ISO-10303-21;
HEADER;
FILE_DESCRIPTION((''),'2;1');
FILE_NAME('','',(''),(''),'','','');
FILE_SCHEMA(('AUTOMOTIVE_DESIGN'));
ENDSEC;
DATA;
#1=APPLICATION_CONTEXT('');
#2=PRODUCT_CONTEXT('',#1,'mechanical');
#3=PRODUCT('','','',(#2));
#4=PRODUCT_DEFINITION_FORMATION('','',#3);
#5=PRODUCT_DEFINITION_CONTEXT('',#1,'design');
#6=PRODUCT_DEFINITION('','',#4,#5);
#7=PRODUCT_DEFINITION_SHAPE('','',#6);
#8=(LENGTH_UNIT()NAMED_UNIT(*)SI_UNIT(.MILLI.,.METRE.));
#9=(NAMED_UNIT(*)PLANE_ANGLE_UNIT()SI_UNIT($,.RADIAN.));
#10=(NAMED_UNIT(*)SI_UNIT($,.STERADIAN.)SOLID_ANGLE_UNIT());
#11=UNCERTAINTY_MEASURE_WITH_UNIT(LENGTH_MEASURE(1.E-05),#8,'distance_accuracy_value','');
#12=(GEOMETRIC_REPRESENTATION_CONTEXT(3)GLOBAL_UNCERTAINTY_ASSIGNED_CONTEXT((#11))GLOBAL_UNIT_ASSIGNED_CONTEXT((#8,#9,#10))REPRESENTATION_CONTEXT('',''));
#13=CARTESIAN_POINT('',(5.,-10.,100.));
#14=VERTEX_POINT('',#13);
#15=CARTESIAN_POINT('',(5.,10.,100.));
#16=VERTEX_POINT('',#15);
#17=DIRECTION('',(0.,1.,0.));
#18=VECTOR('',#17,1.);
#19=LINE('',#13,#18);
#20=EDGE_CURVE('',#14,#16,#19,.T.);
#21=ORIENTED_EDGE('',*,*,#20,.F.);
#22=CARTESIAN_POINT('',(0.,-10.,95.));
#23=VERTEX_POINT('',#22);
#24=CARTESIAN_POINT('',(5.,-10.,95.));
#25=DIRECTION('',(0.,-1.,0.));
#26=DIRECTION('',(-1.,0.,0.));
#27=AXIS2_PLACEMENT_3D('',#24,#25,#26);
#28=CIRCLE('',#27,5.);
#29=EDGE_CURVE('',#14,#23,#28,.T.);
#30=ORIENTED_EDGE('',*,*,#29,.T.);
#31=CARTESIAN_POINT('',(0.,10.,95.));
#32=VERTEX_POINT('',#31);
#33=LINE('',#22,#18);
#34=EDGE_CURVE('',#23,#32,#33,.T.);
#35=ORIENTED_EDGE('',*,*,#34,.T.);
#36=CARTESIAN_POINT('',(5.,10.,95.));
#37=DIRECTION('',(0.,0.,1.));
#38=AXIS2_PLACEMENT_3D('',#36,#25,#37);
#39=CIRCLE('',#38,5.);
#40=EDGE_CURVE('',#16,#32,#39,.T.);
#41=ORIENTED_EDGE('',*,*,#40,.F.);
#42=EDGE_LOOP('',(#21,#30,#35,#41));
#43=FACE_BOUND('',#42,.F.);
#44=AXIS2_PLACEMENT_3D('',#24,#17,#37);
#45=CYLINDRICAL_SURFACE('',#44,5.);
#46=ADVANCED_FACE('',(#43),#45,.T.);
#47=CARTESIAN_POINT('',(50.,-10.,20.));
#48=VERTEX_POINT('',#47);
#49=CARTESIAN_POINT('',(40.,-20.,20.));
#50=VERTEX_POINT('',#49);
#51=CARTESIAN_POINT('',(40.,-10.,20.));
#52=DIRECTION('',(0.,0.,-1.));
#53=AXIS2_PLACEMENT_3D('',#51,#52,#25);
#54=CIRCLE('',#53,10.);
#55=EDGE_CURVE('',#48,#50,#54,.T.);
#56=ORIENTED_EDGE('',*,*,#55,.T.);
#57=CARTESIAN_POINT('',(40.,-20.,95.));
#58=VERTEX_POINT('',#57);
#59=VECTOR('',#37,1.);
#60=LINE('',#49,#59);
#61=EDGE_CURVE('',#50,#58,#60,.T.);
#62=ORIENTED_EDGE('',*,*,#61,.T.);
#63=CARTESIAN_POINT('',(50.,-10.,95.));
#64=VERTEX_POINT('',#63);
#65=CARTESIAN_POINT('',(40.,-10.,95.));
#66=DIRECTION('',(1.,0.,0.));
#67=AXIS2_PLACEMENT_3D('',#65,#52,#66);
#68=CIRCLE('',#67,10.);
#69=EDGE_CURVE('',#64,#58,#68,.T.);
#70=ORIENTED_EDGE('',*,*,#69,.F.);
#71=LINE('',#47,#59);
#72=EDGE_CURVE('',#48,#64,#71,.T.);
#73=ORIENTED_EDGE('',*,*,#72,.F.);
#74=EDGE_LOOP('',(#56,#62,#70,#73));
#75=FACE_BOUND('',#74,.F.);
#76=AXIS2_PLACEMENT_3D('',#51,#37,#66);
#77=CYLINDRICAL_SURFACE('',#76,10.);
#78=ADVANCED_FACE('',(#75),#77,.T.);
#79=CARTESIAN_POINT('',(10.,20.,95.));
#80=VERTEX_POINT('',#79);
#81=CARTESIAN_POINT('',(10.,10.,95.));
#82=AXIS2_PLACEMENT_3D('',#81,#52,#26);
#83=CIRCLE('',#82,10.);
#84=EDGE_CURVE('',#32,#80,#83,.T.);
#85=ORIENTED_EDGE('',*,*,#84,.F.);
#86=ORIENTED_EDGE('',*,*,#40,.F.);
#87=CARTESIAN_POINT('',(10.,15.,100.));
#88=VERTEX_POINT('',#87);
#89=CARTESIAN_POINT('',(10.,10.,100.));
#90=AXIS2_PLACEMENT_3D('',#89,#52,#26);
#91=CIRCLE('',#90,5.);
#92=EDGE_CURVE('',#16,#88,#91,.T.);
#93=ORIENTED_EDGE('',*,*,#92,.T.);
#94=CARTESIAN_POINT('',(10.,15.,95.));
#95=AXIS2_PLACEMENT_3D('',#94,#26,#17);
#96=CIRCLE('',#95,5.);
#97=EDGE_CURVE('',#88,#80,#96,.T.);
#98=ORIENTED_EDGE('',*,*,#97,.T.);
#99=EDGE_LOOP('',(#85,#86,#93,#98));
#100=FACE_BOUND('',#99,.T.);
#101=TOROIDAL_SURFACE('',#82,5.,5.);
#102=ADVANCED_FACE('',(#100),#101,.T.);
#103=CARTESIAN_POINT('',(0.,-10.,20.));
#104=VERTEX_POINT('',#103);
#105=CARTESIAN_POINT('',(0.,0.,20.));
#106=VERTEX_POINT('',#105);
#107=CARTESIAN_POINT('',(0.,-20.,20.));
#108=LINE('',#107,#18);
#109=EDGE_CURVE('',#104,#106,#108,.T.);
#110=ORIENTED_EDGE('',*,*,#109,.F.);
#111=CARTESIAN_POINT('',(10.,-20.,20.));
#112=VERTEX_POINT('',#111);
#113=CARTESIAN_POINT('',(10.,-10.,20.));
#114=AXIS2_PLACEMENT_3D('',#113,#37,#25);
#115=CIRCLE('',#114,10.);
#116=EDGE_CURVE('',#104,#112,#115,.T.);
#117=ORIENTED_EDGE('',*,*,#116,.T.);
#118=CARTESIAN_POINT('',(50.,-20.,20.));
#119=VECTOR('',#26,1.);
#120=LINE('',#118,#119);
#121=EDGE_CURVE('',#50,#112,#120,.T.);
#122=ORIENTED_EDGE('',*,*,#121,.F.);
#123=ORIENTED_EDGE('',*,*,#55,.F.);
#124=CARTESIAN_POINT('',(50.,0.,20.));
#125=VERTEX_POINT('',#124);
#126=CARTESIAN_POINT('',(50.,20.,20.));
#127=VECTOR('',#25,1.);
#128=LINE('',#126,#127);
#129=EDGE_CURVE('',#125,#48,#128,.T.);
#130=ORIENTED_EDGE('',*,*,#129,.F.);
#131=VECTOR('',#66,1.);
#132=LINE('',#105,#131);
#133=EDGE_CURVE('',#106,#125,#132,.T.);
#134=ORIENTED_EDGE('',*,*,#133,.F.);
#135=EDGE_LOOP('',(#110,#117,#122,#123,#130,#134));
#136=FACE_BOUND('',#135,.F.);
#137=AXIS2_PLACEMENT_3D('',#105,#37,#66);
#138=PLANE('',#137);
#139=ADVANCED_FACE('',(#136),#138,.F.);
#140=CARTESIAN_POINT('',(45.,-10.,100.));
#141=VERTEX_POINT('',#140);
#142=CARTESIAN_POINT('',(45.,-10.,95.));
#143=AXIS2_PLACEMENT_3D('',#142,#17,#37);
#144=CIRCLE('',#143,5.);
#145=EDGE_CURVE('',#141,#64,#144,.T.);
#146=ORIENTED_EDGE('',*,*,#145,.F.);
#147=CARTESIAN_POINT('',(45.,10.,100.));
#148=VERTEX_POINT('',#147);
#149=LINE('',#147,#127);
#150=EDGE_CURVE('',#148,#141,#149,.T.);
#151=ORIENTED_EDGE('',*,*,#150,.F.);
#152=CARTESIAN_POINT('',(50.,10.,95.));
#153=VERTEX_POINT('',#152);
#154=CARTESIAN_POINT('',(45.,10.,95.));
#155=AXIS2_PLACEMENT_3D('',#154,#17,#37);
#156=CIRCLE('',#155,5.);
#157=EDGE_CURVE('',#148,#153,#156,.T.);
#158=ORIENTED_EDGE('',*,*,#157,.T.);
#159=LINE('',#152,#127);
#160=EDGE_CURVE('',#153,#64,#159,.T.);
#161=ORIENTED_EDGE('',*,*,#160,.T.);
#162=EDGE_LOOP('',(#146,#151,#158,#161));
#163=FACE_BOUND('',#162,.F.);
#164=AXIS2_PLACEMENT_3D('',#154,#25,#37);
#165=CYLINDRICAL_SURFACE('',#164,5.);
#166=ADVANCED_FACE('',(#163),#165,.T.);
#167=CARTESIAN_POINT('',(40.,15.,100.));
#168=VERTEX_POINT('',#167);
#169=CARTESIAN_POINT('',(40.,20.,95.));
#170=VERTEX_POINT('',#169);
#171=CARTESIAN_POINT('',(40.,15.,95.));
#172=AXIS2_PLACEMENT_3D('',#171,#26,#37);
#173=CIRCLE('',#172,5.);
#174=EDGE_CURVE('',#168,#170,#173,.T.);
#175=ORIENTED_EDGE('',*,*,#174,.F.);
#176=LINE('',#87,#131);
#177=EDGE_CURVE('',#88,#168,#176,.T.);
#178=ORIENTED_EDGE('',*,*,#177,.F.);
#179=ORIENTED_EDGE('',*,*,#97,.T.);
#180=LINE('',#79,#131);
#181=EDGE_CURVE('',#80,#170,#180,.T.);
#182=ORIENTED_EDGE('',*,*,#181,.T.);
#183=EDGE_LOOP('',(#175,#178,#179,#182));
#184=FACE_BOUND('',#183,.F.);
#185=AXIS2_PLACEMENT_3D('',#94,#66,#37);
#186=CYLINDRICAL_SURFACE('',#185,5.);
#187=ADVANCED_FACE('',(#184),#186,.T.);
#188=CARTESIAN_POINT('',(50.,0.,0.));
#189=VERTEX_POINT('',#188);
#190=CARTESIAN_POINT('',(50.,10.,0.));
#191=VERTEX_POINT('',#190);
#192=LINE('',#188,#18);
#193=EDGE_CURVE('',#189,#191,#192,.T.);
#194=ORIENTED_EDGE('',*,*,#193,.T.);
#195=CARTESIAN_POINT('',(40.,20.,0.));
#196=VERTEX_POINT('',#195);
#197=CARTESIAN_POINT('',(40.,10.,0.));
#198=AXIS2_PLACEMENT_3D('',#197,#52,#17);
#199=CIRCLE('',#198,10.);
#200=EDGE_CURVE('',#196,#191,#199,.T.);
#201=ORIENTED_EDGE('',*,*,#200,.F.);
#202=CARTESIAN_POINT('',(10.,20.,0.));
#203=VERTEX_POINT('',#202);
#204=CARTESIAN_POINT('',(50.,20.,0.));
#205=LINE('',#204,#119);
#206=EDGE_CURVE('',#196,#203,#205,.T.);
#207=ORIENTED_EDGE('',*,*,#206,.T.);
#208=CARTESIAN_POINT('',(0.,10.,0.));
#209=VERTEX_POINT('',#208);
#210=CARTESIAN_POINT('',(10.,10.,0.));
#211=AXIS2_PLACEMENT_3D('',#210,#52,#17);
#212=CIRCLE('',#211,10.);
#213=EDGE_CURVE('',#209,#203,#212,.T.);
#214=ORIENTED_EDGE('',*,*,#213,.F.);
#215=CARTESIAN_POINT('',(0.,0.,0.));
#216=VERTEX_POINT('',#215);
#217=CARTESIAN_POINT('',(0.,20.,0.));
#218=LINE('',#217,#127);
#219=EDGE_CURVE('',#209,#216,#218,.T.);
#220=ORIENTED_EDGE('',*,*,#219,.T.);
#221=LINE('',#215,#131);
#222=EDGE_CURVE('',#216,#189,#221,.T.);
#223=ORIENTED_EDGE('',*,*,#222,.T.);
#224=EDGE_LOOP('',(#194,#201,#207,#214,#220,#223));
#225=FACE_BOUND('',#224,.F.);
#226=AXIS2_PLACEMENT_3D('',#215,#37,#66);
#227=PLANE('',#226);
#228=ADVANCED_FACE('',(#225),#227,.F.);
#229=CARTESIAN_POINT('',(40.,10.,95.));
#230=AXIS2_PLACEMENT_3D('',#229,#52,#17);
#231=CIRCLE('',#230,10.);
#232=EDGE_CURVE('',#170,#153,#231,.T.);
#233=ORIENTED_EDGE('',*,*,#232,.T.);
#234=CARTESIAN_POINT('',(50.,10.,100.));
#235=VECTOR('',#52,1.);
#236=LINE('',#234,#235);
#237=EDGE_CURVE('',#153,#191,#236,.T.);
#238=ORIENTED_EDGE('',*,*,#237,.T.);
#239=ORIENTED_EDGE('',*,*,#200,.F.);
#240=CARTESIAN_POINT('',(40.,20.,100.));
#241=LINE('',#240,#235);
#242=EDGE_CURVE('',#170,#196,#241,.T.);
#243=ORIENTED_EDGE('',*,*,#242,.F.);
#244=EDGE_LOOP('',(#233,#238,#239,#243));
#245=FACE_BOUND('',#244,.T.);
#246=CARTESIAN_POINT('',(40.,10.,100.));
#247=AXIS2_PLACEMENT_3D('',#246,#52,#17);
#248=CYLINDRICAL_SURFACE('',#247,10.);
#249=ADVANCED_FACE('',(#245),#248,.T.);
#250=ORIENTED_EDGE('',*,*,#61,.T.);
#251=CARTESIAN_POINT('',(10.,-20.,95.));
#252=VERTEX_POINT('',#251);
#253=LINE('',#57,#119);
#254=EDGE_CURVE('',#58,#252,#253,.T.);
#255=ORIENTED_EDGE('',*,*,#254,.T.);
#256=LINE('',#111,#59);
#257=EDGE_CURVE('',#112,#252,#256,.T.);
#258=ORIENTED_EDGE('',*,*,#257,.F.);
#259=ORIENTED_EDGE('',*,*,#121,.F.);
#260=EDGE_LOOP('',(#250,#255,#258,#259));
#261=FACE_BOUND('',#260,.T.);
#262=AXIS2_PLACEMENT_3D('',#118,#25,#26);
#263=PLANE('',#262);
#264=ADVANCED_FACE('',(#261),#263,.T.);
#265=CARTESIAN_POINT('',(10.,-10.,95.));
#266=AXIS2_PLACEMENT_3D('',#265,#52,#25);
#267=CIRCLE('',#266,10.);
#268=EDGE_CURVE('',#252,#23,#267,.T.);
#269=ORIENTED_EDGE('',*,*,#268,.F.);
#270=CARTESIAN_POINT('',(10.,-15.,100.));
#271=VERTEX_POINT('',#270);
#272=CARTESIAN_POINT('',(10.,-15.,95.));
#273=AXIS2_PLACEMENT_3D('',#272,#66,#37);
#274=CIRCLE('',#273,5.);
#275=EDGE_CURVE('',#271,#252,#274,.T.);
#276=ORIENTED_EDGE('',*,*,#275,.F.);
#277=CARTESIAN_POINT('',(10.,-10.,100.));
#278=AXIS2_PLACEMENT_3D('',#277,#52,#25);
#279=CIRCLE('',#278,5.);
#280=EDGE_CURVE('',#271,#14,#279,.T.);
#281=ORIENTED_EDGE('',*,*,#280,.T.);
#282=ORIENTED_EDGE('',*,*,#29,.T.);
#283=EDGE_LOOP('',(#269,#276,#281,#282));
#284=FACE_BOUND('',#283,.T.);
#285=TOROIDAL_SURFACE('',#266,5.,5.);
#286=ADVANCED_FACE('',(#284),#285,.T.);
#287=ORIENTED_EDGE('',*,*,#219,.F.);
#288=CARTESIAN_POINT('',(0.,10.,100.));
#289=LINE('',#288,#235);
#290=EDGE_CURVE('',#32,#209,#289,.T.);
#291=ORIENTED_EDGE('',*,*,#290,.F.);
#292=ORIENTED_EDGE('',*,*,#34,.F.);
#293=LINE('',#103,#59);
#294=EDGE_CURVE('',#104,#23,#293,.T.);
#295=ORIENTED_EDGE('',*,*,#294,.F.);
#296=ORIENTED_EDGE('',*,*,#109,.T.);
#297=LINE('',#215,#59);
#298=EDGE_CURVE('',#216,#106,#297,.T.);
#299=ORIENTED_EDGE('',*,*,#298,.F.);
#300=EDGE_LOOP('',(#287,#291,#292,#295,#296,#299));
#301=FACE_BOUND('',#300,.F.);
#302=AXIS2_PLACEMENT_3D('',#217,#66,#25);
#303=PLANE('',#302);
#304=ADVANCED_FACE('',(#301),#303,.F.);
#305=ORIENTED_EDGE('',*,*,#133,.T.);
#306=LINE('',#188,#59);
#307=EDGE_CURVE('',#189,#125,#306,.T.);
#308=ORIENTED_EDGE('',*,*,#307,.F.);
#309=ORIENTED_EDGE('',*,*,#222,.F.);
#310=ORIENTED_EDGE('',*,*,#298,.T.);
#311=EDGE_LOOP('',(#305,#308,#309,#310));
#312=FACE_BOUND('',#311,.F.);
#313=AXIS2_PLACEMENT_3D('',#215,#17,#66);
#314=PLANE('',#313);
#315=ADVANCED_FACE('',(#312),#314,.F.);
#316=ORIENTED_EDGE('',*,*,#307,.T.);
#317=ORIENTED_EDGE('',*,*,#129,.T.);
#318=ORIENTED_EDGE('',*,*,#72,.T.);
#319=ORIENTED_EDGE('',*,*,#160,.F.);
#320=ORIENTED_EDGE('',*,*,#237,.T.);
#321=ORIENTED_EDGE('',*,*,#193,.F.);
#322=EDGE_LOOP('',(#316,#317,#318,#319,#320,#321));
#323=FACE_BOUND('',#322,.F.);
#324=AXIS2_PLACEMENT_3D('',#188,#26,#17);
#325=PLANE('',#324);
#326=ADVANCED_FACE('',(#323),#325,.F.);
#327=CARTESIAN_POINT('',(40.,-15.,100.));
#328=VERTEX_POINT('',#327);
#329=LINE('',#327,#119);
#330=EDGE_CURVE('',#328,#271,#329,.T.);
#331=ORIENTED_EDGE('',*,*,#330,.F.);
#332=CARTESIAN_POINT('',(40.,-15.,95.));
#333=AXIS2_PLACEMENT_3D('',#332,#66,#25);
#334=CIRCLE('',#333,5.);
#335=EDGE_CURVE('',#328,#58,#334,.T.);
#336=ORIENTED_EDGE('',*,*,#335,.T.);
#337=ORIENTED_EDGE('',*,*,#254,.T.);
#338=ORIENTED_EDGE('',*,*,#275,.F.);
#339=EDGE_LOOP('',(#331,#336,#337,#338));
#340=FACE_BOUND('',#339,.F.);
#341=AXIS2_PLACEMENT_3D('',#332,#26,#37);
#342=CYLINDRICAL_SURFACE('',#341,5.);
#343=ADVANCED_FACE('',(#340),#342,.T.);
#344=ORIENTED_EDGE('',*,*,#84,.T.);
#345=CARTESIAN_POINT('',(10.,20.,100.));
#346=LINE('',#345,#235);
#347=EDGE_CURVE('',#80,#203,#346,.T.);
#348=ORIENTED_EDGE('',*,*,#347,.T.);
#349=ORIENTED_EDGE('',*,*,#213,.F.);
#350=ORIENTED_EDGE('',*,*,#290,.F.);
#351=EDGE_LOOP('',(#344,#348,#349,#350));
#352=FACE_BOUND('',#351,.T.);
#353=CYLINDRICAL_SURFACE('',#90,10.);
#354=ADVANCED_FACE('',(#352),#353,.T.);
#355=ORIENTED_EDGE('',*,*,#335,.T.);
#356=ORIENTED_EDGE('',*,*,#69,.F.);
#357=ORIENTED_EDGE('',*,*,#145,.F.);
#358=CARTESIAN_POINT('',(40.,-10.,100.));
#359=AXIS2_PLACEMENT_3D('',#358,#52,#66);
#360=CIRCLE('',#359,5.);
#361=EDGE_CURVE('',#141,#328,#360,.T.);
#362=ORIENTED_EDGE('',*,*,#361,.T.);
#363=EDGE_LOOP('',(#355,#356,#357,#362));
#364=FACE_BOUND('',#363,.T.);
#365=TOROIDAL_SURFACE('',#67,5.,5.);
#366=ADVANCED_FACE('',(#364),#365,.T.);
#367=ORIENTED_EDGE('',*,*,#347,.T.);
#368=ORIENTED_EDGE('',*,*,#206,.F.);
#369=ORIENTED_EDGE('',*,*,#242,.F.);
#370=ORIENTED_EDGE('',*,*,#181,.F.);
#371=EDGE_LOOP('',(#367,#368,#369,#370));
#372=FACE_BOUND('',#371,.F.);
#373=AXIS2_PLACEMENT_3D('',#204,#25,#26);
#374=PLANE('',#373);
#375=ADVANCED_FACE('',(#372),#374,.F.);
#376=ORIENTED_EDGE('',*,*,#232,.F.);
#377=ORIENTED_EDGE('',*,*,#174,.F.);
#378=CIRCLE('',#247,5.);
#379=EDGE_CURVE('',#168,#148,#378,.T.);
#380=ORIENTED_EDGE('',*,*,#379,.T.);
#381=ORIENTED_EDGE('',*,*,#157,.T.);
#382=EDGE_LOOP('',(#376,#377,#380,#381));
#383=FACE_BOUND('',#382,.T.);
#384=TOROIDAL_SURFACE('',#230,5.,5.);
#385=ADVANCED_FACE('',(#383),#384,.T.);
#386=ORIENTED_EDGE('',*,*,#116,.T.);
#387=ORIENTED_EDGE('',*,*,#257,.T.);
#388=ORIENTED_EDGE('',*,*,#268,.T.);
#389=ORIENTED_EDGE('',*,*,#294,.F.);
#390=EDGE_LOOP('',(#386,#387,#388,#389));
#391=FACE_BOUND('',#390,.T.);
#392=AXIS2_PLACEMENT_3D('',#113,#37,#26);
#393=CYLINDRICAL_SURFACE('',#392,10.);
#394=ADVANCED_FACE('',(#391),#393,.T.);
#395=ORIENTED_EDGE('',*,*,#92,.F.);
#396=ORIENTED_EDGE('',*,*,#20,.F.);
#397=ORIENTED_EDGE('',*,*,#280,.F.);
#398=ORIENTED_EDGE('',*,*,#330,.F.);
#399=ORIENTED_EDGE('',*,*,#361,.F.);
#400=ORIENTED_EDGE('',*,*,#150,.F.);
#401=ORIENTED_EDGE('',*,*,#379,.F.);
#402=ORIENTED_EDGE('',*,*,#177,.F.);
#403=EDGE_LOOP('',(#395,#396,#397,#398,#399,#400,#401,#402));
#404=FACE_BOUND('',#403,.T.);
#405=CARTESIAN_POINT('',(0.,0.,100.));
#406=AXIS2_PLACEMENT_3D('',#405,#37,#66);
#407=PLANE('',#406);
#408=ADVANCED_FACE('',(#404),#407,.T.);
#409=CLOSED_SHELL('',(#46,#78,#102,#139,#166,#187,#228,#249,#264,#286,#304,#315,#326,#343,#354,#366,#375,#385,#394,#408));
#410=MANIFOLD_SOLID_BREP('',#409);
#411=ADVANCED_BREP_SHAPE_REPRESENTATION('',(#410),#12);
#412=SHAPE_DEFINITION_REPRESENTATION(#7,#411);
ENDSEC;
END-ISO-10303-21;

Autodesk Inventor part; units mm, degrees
ref_plane "YZ Plane" through (0, 0, 0) normal (1, 0, 0) x (0, 1, 0)
ref_plane "XZ Plane" through (0, 0, 0) normal (0, 1, 0) x (-1, 0, 0)
ref_plane "XY Plane" through (0, 0, 0) normal (0, 0, 1) x (1, 0, 0)
sketch "Sketch1" plane through (0, 0, 0) normal (0, 0, 1) x (1, 0, 0)
  line L0 (0, 0) -> (50, 0)
  line L1 (50, 0) -> (50, 20)
  line L2 (50, 20) -> (0, 20)
  line L3 (0, 20) -> (0, 0)
  dimension "d0" = 20
  dimension "d1" = 50
extrude "Extrusion1" add sketch "Sketch1" along normal blind 20
sketch "Sketch2" plane through (0, 0, 20) normal (0, 0, 1) x (1, 0, 0)
  line L0 (50, 20) -> (0, 20) projected
  line L1 (0, 20) -> (50, 20)
  line L2 (50, 20) -> (50, -20)
  line L3 (50, -20) -> (0, -20)
  line L4 (0, -20) -> (0, 20)
  point P0 (0, 0)
  dimension "d4" = 50
  dimension "d5" = 40
extrude "Extrusion2" add sketch "Sketch2" along normal blind 80
fillet "Fillet1" radius 10 4 edges at (50, 20, 50) (0, 20, 50) (50, -20, 60) (0, -20, 60)
fillet "Fillet2" radius 5 8 edges at (50, 0, 100) (47.0711, -17.0711, 100) (25, -20, 100) (2.9289, -17.0711, 100) (0, 0, 100) (2.9289, 17.0711, 100) (25, 20, 100) (47.0711, 17.0711, 100)
properties part number "Throttle Handler" material "Acetal Resin, Black"
